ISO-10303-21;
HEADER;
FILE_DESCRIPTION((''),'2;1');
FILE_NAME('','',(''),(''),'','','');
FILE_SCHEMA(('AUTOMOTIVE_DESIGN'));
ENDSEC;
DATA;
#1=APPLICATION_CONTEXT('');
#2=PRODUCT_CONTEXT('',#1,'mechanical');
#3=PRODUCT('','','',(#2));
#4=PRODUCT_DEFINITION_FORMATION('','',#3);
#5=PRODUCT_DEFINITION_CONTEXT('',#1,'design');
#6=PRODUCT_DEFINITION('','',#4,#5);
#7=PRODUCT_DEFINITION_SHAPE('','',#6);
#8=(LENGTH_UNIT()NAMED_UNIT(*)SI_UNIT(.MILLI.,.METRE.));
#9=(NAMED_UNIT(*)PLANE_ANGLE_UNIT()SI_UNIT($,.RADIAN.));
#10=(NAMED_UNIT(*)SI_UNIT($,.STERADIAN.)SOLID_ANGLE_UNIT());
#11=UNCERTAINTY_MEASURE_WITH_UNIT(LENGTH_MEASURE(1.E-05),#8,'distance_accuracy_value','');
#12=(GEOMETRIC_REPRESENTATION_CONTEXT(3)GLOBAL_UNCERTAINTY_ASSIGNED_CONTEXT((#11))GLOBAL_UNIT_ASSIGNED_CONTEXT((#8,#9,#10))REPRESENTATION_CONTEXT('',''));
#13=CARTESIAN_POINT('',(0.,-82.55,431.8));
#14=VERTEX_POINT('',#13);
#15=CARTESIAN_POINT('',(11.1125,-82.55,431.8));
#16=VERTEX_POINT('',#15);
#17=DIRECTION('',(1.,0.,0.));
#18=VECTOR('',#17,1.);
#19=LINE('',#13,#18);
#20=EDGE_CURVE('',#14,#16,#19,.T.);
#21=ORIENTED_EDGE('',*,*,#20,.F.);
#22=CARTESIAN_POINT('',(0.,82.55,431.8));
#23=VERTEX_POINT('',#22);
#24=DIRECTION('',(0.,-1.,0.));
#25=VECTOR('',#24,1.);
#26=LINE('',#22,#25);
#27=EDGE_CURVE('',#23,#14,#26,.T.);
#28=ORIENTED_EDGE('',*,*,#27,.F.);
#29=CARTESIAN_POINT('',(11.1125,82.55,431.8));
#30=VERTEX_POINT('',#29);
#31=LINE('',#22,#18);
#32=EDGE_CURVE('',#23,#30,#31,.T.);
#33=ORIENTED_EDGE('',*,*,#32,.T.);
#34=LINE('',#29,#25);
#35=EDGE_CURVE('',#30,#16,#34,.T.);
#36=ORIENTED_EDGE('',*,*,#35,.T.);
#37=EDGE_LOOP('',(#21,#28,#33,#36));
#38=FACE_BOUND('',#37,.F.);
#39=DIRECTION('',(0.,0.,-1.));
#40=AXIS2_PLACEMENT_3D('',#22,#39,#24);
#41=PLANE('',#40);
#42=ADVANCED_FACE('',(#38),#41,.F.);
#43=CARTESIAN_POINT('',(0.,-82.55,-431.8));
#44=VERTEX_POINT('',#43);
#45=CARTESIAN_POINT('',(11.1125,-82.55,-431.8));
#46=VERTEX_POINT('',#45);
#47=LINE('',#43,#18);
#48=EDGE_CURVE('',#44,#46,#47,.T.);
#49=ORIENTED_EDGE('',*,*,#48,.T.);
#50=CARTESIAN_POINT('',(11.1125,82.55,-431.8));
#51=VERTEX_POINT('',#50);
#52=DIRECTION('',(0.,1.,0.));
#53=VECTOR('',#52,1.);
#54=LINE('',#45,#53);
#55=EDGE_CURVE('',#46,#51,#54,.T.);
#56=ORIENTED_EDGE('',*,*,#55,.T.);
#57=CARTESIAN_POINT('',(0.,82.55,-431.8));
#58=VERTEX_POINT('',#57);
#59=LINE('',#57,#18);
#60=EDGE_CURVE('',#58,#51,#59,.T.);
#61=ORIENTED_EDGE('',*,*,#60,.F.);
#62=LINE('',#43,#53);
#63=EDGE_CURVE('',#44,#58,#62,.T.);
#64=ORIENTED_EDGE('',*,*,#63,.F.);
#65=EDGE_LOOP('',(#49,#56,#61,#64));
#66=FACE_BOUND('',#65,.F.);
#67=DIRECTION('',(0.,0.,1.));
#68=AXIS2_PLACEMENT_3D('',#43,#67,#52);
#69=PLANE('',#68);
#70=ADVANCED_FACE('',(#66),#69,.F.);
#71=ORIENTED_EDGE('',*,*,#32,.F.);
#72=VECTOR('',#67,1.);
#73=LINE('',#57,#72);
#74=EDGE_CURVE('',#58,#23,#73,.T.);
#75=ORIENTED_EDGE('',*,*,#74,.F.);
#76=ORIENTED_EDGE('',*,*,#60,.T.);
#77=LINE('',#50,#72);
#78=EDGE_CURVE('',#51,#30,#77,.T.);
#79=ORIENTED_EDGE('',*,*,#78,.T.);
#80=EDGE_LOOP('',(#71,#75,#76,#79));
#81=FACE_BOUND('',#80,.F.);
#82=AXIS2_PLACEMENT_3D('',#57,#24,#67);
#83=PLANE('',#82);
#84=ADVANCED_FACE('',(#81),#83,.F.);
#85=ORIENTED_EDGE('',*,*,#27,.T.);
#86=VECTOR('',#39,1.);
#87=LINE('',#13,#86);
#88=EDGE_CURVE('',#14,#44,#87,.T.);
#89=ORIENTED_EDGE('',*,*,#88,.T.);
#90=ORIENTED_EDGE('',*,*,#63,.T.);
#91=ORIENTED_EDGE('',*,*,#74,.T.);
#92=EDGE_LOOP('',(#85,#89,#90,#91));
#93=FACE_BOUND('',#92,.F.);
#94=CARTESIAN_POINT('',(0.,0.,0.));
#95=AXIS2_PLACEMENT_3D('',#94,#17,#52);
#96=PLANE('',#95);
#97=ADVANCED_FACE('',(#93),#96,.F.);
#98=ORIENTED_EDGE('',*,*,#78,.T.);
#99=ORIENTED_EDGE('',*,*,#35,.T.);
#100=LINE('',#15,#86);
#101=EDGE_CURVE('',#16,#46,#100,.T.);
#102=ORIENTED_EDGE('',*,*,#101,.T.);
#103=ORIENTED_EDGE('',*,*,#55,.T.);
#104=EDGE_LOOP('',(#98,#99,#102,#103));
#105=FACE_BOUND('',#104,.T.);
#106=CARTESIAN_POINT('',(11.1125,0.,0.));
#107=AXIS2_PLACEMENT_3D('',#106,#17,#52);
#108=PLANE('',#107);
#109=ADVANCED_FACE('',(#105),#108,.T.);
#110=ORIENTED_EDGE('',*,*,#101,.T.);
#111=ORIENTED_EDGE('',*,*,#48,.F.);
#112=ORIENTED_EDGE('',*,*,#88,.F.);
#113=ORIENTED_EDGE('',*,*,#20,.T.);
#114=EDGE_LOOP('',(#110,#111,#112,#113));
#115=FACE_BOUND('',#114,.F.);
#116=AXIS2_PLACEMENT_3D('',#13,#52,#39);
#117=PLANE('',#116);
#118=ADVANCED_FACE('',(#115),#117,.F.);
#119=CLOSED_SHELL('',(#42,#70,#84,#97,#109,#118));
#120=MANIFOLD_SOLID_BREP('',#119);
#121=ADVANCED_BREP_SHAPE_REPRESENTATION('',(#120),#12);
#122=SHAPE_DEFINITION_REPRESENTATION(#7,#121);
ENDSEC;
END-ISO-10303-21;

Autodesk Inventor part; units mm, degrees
ref_plane "YZ Plane" through (0, 0, 0) normal (1, 0, 0) x (0, 1, 0)
ref_plane "XZ Plane" through (0, 0, 0) normal (0, 1, 0) x (-1, 0, 0)
ref_plane "XY Plane" through (0, 0, 0) normal (0, 0, 1) x (1, 0, 0)
sketch "Sketch1" plane through (0, 0, 0) normal (1, 0, 0) x (0, 1, 0)
  line L0 (-82.55, 431.8) -> (-82.55, -431.8)
  line L1 (-82.55, -431.8) -> (82.55, -431.8)
  line L2 (82.55, -431.8) -> (82.55, 431.8)
  line L3 (82.55, 431.8) -> (-82.55, 431.8)
  line L4 (-82.55, 431.8) -> (82.55, -431.8) construction
  line L5 (-82.55, -431.8) -> (82.55, 431.8) construction
  point P0 (0, 0)
  dimension "d0" = 863.6
  dimension "d1" = 165.1
extrude "Extrusion1" add sketch "Sketch1" along normal blind 11.1125
properties part number "Home Depot Composite Slat 34 in" material "Wood (Cherry)"
